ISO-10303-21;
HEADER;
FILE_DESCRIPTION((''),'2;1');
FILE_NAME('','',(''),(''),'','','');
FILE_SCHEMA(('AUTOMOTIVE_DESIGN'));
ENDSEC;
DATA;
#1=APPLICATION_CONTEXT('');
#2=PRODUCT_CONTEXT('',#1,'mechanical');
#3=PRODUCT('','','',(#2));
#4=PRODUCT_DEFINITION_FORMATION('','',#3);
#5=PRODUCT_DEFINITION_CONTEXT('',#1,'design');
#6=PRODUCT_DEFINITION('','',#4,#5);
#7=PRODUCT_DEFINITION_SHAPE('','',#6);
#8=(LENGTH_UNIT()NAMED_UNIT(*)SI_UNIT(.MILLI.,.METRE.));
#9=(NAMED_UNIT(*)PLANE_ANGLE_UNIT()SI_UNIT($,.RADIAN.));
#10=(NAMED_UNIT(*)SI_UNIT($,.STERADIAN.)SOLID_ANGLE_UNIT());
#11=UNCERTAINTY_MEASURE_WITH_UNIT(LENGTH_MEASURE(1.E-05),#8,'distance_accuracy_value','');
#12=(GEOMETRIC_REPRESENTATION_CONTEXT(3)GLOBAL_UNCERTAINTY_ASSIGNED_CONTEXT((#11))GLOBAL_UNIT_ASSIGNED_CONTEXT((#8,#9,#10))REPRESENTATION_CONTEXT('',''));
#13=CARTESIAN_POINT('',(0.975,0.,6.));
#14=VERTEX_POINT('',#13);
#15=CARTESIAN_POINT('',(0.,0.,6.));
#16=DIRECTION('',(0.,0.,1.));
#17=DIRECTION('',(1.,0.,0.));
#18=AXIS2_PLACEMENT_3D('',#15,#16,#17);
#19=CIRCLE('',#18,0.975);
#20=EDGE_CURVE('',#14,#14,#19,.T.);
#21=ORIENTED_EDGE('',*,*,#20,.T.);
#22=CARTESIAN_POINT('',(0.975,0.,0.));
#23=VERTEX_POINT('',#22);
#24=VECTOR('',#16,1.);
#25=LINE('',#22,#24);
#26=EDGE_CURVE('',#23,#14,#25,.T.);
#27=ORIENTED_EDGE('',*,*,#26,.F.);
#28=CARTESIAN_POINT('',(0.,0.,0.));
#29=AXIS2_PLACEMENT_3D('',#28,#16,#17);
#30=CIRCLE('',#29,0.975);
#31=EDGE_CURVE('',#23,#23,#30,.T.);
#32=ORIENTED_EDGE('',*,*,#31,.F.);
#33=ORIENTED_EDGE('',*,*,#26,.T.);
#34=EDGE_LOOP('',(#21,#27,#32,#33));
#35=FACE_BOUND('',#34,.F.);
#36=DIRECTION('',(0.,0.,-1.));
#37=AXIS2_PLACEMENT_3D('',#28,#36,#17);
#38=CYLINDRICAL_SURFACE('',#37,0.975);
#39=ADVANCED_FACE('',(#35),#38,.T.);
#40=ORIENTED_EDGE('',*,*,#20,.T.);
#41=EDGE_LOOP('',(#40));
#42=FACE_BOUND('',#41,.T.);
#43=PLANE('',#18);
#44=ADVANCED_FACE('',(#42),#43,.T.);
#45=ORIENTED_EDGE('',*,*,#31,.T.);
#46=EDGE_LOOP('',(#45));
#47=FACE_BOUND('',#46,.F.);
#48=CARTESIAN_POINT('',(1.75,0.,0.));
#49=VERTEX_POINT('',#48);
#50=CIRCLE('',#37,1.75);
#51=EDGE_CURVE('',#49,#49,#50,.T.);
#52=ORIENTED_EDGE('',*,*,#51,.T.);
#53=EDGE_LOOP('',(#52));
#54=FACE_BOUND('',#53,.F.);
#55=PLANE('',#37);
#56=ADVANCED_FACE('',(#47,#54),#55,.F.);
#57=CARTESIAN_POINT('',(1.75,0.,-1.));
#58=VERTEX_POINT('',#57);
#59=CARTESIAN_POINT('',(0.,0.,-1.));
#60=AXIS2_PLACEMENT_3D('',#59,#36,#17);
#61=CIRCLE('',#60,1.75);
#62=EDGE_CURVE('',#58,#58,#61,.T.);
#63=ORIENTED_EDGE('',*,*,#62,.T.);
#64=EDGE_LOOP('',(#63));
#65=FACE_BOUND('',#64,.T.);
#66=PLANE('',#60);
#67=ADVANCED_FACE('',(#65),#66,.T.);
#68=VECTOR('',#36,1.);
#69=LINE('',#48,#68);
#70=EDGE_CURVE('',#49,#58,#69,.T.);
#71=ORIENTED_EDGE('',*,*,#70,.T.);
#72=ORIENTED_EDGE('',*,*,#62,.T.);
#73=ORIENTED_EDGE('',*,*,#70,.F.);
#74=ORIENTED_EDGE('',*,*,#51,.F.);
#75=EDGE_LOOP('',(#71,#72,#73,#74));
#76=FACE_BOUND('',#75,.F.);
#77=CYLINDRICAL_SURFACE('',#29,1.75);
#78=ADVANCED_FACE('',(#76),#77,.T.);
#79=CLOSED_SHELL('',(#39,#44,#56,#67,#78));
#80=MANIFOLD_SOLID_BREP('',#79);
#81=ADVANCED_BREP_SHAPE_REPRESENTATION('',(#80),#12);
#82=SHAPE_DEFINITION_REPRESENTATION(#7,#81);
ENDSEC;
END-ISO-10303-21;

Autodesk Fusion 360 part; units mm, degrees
sketch "Sketch1" plane through (0, 0, 0) normal (0, 0, 1) x (1, 0, 0)
  circle A0 centre (0, 0) radius 0.975
  dimension "d1" = 1.95
extrude "Extrude1" add sketch "Sketch1" along normal blind 6
sketch "Sketch2" plane through (0, 0, 0) normal (0, 0, -1) x (1, 0, 0)
  circle A0 centre (0, 0) radius 0.975
  circle A1 centre (0, 0) radius 1.75
  dimension "d4" = 3.5
extrude "Extrude2" add sketch "Sketch2" along normal blind 1.5 contours A0 | A1
extrude "Extrude3" cut 1 faces at (-0.5048, -0.8743, -1.5) along direction (0, 0, 1) blind 0.5
equation "d4 = ( 1.75 * 2 ) * 1 mm"
